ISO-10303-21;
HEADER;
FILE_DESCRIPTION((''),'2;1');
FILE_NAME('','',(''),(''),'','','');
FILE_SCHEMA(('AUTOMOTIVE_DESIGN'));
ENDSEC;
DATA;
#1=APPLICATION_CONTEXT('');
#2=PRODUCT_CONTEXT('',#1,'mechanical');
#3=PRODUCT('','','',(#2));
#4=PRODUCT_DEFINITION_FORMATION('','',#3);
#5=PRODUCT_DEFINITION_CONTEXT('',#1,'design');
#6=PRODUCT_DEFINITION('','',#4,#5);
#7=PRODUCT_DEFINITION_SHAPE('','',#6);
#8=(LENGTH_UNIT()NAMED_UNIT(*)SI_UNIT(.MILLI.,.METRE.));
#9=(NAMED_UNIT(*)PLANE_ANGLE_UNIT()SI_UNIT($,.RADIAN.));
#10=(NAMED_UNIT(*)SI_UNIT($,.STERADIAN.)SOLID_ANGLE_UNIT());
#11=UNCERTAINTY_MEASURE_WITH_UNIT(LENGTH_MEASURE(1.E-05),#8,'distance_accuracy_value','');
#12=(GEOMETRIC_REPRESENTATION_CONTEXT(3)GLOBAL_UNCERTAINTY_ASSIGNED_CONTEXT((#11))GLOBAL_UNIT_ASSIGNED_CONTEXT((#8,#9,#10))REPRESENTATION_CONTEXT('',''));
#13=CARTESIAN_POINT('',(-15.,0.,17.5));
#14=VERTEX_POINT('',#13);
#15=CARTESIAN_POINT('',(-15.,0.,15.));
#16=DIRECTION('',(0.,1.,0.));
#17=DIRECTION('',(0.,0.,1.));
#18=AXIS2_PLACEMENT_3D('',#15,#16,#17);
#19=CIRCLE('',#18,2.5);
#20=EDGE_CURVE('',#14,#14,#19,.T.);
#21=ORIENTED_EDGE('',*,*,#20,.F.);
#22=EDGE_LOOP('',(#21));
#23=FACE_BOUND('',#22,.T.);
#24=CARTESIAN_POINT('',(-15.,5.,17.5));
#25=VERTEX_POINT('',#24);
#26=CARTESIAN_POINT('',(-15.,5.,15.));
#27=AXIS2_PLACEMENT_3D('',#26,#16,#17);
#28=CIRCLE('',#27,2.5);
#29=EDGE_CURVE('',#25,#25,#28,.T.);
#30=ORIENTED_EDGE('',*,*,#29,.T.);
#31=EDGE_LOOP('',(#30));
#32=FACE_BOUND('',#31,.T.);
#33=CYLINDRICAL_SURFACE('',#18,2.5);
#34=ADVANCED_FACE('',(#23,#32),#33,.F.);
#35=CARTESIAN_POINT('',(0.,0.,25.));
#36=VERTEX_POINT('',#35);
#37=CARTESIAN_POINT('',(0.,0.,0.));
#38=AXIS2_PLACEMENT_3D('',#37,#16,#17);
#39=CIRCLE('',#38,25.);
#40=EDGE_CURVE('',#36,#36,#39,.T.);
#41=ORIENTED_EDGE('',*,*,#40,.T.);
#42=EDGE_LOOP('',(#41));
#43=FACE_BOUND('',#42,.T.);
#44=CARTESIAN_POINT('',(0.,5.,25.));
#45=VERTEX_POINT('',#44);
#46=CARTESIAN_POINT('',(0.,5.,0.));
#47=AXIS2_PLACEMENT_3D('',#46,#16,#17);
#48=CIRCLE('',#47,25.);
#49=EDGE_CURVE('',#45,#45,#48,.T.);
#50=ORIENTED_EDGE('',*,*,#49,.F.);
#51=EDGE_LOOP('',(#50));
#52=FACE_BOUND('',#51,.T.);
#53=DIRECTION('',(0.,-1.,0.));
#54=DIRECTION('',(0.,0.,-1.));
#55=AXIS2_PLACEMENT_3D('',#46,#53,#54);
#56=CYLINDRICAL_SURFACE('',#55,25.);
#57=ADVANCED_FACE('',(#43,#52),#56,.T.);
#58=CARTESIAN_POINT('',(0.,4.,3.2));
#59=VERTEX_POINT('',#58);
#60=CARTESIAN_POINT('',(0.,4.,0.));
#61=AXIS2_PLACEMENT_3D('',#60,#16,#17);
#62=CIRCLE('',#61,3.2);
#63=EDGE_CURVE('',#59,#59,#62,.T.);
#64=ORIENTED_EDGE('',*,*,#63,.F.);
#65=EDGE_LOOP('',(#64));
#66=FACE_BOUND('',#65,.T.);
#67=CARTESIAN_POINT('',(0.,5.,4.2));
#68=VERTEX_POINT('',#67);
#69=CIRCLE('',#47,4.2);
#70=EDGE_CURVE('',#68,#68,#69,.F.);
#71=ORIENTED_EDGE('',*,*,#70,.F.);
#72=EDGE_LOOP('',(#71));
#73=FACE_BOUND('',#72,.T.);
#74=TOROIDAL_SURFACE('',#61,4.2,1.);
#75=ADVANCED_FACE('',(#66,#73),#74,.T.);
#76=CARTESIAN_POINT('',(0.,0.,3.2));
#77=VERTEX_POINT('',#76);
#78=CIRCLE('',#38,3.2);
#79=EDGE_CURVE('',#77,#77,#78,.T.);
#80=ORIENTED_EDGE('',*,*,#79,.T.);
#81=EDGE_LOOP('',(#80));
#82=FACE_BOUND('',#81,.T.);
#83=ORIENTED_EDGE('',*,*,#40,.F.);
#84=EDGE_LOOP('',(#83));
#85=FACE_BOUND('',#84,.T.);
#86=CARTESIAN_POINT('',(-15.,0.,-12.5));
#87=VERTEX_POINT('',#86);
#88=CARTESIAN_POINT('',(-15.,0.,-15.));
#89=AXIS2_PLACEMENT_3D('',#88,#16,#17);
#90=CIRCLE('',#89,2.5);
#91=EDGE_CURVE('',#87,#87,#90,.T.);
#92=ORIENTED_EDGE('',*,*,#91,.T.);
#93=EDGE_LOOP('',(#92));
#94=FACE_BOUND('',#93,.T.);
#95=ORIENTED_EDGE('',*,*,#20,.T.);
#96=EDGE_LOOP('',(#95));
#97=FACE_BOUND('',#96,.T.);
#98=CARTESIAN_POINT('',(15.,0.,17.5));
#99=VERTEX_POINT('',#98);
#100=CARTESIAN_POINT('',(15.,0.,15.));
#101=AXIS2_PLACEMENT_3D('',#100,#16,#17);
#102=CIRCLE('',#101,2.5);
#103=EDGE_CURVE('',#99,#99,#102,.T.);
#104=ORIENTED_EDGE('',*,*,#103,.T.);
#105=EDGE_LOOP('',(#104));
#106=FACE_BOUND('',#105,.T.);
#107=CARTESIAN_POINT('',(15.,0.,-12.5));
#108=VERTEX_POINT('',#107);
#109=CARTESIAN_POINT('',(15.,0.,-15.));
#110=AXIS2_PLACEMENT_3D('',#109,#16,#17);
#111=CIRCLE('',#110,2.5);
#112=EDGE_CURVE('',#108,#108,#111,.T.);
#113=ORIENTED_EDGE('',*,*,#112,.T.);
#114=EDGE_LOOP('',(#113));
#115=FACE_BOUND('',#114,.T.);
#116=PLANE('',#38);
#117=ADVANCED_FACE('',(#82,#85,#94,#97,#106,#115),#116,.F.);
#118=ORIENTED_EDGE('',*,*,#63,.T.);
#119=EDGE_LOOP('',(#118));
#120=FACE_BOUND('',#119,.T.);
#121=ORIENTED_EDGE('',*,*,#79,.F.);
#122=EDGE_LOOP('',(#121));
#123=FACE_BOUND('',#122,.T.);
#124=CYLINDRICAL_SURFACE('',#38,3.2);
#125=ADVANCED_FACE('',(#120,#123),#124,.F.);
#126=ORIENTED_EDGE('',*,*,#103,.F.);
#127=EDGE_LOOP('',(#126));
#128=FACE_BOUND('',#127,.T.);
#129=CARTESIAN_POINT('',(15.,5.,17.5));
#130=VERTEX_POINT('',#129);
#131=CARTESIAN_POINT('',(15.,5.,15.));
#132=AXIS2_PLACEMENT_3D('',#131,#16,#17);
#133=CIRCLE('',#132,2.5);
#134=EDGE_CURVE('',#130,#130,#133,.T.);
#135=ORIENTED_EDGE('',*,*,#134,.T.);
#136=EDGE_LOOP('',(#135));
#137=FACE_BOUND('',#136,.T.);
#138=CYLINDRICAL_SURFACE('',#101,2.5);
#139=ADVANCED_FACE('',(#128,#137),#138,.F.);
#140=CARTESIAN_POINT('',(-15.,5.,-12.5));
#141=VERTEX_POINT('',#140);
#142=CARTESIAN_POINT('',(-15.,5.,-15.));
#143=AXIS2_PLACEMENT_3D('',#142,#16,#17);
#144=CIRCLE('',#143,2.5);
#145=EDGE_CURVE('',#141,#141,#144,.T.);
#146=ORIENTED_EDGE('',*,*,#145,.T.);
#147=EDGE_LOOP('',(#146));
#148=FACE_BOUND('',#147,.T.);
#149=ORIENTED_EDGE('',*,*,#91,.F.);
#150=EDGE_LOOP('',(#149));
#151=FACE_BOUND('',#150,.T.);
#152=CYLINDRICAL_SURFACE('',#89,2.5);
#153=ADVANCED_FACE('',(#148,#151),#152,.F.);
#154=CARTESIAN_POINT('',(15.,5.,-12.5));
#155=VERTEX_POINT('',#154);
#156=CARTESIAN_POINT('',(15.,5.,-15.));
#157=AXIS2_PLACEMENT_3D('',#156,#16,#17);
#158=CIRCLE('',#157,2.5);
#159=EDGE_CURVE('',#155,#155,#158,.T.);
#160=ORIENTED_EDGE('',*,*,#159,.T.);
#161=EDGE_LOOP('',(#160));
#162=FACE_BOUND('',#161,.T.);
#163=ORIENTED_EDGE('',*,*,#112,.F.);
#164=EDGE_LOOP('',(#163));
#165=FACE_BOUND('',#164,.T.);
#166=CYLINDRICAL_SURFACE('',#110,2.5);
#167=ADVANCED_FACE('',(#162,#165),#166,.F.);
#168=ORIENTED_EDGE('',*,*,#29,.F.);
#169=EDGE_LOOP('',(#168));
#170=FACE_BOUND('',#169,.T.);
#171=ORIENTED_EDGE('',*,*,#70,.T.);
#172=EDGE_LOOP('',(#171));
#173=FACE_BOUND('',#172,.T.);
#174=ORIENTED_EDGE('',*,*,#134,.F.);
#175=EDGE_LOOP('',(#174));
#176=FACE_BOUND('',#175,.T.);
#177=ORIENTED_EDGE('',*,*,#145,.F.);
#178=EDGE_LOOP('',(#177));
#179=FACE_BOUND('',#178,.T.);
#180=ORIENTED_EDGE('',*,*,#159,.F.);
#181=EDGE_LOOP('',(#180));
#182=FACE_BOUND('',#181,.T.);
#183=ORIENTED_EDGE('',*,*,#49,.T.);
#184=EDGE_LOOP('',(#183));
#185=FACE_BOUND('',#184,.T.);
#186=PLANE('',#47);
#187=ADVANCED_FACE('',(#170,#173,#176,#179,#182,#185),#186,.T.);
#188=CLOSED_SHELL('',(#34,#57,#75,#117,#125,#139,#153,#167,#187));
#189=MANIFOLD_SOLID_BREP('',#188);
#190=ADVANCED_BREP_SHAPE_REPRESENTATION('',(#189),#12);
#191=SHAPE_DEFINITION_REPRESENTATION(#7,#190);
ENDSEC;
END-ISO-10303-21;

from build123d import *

# Parameters (mm, degrees)
SKETCH1_R           = 25
BOSS_EXTRUDE1_DEPTH = 5
SKETCH2_R           = 2.5
CUT_EXTRUDE1_DEPTH  = 36.707142143
SKETCH3_R           = 3.2
CUT_EXTRUDE2_DEPTH  = 36.707142143
FILLET1_R           = 1


with BuildPart() as part:
    # Sketch1 → Boss-Extrude1 (new body)
    with BuildSketch(Plane(origin=(0, 0, 0), x_dir=(1, 0, 0), z_dir=(0, 1, 0))):
        with Locations(Location((0, 0, 0), (0, 0, 270))):
            Circle(SKETCH1_R)
    extrude(amount=BOSS_EXTRUDE1_DEPTH)

    # Sketch2 → Cut-Extrude1 (cut, through all)
    with BuildSketch(Plane(origin=(0, 5, 0), x_dir=(1, 0, 0), z_dir=(0, 1, 0))):
        with Locations(Location((-15, 15, 0), (0, 0, 270))):
            Circle(SKETCH2_R)
        with Locations(Location((15, 15, 0), (0, 0, 270))):
            Circle(SKETCH2_R)
        with Locations(Location((15, -15, 0), (0, 0, 270))):
            Circle(SKETCH2_R)
        with Locations(Location((-15, -15, 0), (0, 0, 270))):
            Circle(SKETCH2_R)
    extrude(amount=-CUT_EXTRUDE1_DEPTH, mode=Mode.SUBTRACT)

    # Sketch3 → Cut-Extrude2 (cut, through all)
    with BuildSketch(Plane(origin=(0, 5, 0), x_dir=(1, 0, 0), z_dir=(0, 1, 0))):
        with Locations(Location((0, 0, 0), (0, 0, 270))):
            Circle(SKETCH3_R)
    extrude(amount=-CUT_EXTRUDE2_DEPTH, mode=Mode.SUBTRACT)

    # Fillet1
    fillet1_edges = [part.edges().sort_by_distance(p)[0] for p in [
        (0, 5, -3.2),
    ]]
    fillet(fillet1_edges, radius=FILLET1_R)


solid = part.part
